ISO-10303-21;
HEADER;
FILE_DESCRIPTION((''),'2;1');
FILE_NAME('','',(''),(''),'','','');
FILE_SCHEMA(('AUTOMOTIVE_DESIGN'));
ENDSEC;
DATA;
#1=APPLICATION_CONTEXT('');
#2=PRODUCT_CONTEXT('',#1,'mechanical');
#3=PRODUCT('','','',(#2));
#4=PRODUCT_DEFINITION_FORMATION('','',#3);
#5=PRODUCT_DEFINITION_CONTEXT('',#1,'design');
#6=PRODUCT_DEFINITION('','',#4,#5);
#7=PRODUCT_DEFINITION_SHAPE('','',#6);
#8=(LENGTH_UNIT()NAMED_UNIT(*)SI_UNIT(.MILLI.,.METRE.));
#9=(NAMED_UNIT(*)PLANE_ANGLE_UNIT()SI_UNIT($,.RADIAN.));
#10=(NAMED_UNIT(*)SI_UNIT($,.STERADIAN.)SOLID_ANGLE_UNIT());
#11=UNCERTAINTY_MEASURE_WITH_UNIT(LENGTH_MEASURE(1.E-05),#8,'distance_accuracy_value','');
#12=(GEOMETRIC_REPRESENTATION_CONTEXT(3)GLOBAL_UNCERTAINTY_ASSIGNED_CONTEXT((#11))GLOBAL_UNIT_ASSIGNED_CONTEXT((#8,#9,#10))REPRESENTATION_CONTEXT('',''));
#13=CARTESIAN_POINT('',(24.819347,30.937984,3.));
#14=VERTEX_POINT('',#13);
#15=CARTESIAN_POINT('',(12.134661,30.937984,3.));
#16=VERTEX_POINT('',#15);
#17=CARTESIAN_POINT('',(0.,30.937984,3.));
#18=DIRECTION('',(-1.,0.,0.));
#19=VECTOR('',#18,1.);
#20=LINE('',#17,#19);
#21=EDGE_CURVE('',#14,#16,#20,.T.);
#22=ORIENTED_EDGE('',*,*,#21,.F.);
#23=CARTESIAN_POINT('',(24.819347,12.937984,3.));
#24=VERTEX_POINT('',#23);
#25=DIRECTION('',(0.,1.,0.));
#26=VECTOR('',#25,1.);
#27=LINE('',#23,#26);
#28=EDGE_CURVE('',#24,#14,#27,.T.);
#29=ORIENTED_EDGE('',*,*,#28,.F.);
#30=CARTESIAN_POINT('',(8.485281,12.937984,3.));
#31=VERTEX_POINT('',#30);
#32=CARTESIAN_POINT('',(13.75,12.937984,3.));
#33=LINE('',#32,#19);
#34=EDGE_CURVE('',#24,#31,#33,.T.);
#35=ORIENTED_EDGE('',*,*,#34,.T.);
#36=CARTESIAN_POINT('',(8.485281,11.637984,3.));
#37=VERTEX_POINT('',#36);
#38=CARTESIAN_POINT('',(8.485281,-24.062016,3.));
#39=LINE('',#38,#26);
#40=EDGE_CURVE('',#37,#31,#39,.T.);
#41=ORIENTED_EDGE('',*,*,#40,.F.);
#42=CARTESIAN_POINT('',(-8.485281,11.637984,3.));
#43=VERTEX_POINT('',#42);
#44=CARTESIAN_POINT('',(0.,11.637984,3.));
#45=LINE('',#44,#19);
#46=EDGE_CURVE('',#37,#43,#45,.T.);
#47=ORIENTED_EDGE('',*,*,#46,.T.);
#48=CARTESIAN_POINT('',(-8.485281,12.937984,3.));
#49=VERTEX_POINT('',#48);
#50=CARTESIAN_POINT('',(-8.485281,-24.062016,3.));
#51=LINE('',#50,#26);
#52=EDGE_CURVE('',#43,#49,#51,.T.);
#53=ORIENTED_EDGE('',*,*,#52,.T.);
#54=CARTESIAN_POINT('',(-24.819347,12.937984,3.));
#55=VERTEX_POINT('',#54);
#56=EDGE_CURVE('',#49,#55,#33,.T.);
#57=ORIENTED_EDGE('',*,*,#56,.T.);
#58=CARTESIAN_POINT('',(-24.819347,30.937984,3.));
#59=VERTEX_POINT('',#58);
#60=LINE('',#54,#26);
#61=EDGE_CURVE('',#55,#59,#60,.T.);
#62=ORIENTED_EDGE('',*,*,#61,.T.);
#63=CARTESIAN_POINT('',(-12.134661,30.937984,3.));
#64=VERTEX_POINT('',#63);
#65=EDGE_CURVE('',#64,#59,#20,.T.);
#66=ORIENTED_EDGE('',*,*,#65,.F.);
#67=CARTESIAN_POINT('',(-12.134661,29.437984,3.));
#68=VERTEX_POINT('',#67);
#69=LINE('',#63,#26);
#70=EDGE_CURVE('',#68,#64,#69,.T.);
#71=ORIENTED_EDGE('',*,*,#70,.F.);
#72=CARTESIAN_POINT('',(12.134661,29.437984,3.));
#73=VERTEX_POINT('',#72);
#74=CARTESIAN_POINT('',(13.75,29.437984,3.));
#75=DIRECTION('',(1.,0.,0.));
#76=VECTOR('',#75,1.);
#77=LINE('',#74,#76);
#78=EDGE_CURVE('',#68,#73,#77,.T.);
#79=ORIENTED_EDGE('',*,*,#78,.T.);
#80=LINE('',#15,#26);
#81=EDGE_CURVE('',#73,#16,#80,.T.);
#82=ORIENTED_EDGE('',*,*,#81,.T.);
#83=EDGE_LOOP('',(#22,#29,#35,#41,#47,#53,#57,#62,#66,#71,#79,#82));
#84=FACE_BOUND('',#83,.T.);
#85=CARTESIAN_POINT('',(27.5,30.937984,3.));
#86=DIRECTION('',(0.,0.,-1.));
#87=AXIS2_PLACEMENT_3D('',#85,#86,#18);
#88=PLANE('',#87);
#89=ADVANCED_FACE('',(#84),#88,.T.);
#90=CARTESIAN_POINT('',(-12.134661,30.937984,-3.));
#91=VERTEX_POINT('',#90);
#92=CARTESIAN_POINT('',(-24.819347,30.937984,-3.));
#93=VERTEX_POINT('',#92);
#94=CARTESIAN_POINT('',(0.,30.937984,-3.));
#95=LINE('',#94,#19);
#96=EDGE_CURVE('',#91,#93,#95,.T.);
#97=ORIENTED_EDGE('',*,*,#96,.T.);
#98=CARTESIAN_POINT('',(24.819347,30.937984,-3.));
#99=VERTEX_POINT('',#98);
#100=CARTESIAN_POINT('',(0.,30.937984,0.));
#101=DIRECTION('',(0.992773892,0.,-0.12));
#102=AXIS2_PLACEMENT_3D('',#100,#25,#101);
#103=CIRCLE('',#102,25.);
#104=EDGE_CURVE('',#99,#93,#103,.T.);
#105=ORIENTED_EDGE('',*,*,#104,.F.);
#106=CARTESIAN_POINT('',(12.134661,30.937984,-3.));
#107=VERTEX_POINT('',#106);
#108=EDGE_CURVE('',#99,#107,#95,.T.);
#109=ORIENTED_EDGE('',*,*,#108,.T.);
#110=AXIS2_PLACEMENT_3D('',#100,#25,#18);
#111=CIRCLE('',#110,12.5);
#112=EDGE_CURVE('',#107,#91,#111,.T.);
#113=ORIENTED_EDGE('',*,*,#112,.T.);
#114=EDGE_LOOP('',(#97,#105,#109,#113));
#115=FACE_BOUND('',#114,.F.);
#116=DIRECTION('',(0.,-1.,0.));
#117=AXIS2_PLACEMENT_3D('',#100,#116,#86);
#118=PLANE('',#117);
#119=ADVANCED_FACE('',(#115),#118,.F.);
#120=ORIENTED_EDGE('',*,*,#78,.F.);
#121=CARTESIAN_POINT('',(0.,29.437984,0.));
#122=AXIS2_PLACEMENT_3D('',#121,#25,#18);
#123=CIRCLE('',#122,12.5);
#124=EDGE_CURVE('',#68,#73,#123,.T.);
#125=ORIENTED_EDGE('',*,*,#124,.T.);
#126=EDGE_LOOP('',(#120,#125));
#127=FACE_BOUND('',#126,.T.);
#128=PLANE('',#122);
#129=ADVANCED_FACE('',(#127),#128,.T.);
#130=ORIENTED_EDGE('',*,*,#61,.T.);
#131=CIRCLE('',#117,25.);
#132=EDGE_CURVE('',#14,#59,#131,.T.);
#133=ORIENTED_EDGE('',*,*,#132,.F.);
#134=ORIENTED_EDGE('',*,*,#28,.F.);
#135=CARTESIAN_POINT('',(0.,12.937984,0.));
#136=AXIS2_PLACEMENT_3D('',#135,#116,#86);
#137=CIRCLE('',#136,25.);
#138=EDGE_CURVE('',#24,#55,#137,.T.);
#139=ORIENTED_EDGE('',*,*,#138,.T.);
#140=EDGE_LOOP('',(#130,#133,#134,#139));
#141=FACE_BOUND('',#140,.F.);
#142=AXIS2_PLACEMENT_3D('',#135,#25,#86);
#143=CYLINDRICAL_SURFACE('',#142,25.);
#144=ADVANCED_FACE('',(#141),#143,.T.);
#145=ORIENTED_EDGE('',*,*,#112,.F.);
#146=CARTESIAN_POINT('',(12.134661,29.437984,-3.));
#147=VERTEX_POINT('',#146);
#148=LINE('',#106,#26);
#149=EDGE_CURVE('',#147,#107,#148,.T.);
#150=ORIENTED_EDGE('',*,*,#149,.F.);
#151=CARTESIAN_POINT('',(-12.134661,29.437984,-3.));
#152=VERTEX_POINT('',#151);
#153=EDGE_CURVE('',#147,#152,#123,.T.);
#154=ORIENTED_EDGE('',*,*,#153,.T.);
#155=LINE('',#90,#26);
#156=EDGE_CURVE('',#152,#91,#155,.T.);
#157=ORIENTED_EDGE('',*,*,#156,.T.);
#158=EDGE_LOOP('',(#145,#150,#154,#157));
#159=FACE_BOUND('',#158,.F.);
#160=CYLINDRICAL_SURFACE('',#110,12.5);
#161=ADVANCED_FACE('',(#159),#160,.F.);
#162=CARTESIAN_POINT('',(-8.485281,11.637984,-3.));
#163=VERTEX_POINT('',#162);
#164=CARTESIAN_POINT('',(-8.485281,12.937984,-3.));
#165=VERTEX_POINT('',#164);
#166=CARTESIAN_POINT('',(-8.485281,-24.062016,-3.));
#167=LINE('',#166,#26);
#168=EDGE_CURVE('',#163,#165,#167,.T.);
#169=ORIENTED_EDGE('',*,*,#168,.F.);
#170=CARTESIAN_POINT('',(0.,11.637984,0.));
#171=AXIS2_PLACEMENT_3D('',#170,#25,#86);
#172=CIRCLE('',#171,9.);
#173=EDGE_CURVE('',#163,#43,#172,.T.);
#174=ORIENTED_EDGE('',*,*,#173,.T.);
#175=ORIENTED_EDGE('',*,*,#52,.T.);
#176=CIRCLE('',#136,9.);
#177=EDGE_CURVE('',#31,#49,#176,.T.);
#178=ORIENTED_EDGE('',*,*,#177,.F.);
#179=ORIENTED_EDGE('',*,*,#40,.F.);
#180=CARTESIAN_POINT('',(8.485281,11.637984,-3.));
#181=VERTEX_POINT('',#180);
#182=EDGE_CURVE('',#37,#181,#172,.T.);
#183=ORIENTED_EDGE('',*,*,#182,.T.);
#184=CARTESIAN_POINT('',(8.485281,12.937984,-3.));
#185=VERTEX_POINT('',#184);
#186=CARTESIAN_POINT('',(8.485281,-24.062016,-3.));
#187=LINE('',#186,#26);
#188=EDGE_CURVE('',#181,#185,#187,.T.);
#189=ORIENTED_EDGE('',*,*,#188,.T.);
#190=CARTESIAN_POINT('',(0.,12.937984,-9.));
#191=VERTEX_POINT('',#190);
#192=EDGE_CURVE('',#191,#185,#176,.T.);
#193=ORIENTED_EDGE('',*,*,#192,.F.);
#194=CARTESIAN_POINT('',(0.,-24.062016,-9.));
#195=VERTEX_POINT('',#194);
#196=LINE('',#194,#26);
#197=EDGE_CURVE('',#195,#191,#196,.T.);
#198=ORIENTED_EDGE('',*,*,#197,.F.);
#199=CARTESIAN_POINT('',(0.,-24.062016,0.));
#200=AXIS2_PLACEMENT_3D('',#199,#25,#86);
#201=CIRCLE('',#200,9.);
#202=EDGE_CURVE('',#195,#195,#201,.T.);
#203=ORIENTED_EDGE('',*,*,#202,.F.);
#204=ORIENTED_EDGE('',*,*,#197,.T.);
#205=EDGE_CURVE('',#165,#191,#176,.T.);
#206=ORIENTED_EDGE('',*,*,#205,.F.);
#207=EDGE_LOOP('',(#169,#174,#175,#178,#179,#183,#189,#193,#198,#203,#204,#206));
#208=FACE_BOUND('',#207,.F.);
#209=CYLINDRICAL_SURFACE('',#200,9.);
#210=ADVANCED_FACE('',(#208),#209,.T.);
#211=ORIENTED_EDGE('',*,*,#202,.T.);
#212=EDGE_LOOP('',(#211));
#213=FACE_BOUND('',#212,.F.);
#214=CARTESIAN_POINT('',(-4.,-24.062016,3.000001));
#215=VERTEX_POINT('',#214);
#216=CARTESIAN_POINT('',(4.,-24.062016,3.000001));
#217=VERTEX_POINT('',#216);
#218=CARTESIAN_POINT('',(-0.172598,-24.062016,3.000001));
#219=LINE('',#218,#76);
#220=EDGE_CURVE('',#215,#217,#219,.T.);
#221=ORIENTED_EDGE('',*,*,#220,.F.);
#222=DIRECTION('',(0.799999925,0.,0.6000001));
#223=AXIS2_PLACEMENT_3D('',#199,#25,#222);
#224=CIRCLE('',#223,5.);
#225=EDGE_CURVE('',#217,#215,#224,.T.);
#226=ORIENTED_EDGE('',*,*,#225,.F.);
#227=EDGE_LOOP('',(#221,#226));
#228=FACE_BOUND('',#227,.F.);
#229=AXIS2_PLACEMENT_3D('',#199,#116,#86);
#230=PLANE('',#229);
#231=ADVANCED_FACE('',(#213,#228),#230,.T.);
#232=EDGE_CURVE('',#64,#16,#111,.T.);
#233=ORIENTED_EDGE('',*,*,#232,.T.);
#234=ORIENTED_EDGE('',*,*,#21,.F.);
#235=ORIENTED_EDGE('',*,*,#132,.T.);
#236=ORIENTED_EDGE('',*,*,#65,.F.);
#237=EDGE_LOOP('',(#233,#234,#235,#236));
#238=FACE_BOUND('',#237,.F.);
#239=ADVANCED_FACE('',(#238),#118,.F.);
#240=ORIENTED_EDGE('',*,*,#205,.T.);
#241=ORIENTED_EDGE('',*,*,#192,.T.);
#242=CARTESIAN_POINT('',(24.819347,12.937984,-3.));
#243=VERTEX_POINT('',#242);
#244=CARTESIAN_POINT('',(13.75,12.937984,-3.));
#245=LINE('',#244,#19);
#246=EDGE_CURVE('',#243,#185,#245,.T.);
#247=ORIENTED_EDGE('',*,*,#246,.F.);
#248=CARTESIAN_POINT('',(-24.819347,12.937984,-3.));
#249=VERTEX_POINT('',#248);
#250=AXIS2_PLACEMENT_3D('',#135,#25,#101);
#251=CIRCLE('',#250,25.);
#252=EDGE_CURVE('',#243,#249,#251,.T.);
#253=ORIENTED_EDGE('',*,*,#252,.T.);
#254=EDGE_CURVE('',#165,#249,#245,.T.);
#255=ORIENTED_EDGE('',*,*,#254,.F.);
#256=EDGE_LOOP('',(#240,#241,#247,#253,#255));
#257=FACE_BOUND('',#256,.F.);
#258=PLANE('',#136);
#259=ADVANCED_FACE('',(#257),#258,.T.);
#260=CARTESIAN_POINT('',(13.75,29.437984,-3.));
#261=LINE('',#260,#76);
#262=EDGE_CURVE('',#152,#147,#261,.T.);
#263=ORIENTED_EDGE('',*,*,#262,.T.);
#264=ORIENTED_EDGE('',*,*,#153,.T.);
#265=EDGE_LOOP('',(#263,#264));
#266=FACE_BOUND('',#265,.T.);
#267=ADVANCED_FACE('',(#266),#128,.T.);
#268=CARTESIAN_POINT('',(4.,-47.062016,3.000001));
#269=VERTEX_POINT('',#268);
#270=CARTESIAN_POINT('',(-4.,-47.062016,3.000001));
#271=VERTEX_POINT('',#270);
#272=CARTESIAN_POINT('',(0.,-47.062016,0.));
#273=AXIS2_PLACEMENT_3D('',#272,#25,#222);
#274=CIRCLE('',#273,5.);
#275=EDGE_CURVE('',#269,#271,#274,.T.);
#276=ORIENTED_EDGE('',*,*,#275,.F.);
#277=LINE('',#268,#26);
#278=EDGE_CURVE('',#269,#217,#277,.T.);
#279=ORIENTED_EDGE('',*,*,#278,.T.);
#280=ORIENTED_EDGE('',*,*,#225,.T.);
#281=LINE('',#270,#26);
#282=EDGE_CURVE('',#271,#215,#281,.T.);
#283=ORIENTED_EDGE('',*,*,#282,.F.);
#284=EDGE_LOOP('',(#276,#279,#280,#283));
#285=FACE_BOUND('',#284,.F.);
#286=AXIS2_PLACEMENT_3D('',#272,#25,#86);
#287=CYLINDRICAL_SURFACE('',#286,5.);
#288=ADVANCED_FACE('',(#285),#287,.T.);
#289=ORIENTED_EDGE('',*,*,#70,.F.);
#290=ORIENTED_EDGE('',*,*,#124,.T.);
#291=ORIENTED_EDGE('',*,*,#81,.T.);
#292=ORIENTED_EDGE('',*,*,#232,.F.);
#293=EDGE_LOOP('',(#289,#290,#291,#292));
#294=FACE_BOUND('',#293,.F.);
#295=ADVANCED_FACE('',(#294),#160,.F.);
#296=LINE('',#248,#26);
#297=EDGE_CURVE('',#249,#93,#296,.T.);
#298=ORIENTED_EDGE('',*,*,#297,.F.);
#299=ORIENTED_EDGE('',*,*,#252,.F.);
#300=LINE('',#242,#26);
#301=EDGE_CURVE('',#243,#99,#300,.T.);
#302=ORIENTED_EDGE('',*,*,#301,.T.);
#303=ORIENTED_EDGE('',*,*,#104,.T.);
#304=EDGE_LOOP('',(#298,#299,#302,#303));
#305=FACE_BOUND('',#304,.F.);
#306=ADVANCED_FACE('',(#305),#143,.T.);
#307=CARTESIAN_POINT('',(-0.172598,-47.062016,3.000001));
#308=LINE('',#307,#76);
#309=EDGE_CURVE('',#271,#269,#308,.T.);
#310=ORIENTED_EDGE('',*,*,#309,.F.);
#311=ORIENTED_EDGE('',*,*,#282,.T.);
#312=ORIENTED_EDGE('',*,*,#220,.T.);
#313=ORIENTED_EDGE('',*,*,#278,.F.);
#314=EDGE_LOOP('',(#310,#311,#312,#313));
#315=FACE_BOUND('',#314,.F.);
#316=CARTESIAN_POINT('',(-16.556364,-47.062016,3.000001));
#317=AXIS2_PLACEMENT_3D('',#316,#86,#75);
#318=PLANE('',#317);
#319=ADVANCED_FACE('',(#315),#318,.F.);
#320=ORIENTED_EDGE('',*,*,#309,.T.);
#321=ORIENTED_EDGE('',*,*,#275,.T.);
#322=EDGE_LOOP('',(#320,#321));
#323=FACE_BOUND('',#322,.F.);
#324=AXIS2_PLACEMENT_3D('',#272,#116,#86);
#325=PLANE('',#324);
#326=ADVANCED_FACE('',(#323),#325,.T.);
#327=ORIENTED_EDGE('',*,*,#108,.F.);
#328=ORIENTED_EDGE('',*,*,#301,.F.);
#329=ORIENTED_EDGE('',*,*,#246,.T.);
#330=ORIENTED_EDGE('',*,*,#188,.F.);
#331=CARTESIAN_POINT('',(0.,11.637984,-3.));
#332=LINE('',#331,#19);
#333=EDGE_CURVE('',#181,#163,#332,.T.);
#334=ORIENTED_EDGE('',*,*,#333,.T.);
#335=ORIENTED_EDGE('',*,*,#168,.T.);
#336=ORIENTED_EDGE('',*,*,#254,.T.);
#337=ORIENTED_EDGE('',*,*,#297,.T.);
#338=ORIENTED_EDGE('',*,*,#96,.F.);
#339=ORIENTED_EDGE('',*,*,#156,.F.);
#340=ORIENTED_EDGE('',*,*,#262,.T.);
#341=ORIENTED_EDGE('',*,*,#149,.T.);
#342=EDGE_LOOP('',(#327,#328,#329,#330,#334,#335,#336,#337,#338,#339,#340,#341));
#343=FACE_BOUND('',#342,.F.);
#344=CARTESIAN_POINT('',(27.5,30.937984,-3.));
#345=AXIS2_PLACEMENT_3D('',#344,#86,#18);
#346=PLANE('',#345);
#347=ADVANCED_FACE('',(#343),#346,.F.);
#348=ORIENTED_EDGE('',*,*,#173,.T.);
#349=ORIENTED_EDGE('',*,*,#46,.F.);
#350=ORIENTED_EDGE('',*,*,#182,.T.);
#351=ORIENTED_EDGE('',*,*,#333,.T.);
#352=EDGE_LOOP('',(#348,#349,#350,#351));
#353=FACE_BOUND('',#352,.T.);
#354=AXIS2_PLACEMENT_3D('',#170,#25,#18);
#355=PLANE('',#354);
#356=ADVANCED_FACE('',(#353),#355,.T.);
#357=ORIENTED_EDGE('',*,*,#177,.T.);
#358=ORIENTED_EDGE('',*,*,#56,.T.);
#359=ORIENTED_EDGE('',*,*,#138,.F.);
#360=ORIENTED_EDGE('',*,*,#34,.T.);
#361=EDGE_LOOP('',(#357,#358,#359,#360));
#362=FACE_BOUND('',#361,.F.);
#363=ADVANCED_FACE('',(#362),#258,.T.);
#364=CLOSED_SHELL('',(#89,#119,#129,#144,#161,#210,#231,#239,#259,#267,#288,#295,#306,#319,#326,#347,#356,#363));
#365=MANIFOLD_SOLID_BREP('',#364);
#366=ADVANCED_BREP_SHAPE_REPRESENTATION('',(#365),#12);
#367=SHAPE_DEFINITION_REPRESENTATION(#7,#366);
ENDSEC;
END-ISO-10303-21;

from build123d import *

# Parameters (mm, degrees)
F2_W     = 32.767532
F2_H     = 10.747779
F3_DEPTH = 23
F4_W     = 55
F4_H     = 6
F5_DEPTH = 19.3
F6_R     = 12.5
F7_DEPTH = 1.5


with BuildPart() as f1:
    # F0 (on Right) → F1 (revolve)
    with BuildSketch(Plane.YZ):
        Polygon((30.937984, -25), (30.937984, 0), (-47.062016, 0), (-47.062016, -5), (-24.062016, -5), (-24.062016, -9), (12.937984, -9), (12.937984, -25), align=None)
    revolve(axis=Axis((0, -8.062016, 0), (0, -1, 0)))

    # F2 (on face) → F3 (cut, through all)
    with BuildSketch(Plane.XZ.offset(47.062016)):
        with Locations((-0.172598, 8.37389)):
            Rectangle(F2_W, F2_H)
    extrude(amount=-F3_DEPTH, mode=Mode.SUBTRACT)

    # F4 (on face) → F5 (cut)
    with BuildSketch(Plane(origin=(0, 30.937984, 0), x_dir=(-1, 0, 0), z_dir=(0, 1, 0))):
        Rectangle(F4_W, F4_H)
    extrude(amount=-F5_DEPTH, mode=Mode.SUBTRACT)

    # F6 (on face) → F7 (cut)
    with BuildSketch(Plane(origin=(0, 30.937984, 0), x_dir=(-1, 0, 0), z_dir=(0, 1, 0))):
        Circle(F6_R)
    extrude(amount=-F7_DEPTH, mode=Mode.SUBTRACT)


solid = f1.part
